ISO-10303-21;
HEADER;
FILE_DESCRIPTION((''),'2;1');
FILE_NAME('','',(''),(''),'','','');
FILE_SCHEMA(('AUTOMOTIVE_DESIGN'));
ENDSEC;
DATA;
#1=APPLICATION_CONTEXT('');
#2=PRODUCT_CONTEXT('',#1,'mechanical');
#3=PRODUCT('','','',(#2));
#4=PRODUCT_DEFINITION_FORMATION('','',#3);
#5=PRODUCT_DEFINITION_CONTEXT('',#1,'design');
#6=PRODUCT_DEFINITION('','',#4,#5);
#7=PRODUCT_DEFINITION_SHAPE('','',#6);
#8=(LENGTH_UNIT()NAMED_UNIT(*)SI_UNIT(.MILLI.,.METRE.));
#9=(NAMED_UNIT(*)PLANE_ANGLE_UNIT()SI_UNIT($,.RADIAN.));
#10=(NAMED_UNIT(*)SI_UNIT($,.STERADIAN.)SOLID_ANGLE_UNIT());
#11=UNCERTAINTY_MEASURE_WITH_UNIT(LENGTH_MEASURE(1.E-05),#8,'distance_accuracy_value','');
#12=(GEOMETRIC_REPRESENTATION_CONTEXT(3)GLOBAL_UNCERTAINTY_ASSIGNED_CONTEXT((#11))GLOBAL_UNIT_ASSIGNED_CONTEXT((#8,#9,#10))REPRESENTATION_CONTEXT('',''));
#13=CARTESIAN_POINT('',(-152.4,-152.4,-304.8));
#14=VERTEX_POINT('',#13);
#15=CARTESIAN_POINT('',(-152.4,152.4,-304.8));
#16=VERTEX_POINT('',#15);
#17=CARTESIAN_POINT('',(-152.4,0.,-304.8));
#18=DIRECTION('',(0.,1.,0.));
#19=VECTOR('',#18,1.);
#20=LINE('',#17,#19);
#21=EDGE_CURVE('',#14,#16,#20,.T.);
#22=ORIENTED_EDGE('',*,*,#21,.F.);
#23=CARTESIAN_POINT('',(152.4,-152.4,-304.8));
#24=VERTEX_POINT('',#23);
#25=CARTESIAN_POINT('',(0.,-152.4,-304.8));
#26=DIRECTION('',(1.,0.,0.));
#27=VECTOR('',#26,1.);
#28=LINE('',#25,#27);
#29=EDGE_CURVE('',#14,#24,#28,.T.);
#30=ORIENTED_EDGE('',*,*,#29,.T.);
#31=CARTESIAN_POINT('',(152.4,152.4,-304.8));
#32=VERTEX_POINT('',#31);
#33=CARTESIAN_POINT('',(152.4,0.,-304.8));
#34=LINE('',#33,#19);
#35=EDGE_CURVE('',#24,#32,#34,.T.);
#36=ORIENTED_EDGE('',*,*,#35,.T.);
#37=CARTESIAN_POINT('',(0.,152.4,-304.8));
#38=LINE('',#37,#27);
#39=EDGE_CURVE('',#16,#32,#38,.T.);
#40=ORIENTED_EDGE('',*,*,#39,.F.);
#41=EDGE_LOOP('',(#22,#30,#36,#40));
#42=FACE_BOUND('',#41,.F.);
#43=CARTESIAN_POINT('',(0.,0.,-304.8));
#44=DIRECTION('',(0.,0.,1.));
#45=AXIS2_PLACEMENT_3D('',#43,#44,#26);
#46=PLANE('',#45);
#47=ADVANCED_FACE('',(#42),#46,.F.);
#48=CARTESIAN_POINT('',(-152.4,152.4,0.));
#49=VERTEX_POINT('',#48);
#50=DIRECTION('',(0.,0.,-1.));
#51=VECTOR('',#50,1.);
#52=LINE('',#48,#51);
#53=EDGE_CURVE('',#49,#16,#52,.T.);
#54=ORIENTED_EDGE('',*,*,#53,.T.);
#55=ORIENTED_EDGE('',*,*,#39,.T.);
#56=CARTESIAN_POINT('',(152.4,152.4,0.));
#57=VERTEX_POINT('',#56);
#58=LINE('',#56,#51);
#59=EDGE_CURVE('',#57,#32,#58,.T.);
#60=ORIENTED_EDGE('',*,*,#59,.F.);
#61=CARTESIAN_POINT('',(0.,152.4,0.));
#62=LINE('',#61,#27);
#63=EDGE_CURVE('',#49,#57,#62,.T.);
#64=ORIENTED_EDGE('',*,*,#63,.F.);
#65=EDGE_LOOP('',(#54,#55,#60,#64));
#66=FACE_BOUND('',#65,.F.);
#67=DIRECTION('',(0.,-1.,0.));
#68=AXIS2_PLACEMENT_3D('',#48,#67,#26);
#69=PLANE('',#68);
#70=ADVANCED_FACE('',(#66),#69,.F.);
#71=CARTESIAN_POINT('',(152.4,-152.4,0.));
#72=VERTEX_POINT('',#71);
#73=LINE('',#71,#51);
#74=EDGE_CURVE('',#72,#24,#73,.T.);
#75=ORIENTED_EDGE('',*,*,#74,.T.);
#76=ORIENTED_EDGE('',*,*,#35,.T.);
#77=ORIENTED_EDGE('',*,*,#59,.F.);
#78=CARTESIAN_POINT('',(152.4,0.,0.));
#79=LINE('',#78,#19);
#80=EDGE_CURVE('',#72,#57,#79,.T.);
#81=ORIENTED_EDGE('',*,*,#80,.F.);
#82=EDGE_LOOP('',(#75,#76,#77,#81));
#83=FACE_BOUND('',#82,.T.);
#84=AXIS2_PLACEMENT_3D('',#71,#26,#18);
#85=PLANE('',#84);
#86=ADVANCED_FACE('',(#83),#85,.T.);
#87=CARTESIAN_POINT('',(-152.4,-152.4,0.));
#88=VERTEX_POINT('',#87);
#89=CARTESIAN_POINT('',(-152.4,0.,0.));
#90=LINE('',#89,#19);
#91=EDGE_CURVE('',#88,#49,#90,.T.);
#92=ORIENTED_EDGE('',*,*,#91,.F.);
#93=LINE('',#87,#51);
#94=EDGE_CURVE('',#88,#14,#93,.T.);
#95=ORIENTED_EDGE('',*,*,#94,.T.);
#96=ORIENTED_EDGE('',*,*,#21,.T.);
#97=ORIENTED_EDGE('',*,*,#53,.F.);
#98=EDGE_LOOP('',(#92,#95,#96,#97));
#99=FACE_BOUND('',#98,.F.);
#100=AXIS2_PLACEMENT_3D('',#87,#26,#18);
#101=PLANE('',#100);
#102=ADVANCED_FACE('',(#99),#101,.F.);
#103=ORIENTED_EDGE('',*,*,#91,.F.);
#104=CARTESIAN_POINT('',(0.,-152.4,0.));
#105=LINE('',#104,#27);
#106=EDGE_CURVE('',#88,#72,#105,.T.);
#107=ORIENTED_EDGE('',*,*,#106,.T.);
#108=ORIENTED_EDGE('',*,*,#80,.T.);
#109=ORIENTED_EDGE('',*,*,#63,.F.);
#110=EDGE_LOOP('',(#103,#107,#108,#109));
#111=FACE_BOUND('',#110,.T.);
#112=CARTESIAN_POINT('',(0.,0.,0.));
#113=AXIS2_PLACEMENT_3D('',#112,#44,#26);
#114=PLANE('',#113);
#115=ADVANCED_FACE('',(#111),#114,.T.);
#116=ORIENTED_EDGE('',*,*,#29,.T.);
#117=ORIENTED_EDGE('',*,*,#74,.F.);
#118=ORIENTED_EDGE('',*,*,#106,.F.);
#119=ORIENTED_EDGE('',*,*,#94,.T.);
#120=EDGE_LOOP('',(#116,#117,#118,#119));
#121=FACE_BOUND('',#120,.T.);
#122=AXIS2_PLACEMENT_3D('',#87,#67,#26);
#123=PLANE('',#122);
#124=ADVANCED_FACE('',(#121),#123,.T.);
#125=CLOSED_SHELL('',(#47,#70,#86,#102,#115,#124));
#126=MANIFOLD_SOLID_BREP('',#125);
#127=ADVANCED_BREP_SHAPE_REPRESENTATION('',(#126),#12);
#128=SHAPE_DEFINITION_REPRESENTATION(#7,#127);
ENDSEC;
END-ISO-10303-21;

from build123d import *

# Parameters (mm, degrees)
SKETCH1_W           = 304.8
SKETCH1_H           = 304.8
BOSS_EXTRUDE1_DEPTH = 304.8


with BuildPart() as part:
    # Sketch1 → Boss-Extrude1 (new body)
    with BuildSketch(Plane.XY):
        Rectangle(SKETCH1_W, SKETCH1_H)
    extrude(amount=-BOSS_EXTRUDE1_DEPTH)


solid = part.part
